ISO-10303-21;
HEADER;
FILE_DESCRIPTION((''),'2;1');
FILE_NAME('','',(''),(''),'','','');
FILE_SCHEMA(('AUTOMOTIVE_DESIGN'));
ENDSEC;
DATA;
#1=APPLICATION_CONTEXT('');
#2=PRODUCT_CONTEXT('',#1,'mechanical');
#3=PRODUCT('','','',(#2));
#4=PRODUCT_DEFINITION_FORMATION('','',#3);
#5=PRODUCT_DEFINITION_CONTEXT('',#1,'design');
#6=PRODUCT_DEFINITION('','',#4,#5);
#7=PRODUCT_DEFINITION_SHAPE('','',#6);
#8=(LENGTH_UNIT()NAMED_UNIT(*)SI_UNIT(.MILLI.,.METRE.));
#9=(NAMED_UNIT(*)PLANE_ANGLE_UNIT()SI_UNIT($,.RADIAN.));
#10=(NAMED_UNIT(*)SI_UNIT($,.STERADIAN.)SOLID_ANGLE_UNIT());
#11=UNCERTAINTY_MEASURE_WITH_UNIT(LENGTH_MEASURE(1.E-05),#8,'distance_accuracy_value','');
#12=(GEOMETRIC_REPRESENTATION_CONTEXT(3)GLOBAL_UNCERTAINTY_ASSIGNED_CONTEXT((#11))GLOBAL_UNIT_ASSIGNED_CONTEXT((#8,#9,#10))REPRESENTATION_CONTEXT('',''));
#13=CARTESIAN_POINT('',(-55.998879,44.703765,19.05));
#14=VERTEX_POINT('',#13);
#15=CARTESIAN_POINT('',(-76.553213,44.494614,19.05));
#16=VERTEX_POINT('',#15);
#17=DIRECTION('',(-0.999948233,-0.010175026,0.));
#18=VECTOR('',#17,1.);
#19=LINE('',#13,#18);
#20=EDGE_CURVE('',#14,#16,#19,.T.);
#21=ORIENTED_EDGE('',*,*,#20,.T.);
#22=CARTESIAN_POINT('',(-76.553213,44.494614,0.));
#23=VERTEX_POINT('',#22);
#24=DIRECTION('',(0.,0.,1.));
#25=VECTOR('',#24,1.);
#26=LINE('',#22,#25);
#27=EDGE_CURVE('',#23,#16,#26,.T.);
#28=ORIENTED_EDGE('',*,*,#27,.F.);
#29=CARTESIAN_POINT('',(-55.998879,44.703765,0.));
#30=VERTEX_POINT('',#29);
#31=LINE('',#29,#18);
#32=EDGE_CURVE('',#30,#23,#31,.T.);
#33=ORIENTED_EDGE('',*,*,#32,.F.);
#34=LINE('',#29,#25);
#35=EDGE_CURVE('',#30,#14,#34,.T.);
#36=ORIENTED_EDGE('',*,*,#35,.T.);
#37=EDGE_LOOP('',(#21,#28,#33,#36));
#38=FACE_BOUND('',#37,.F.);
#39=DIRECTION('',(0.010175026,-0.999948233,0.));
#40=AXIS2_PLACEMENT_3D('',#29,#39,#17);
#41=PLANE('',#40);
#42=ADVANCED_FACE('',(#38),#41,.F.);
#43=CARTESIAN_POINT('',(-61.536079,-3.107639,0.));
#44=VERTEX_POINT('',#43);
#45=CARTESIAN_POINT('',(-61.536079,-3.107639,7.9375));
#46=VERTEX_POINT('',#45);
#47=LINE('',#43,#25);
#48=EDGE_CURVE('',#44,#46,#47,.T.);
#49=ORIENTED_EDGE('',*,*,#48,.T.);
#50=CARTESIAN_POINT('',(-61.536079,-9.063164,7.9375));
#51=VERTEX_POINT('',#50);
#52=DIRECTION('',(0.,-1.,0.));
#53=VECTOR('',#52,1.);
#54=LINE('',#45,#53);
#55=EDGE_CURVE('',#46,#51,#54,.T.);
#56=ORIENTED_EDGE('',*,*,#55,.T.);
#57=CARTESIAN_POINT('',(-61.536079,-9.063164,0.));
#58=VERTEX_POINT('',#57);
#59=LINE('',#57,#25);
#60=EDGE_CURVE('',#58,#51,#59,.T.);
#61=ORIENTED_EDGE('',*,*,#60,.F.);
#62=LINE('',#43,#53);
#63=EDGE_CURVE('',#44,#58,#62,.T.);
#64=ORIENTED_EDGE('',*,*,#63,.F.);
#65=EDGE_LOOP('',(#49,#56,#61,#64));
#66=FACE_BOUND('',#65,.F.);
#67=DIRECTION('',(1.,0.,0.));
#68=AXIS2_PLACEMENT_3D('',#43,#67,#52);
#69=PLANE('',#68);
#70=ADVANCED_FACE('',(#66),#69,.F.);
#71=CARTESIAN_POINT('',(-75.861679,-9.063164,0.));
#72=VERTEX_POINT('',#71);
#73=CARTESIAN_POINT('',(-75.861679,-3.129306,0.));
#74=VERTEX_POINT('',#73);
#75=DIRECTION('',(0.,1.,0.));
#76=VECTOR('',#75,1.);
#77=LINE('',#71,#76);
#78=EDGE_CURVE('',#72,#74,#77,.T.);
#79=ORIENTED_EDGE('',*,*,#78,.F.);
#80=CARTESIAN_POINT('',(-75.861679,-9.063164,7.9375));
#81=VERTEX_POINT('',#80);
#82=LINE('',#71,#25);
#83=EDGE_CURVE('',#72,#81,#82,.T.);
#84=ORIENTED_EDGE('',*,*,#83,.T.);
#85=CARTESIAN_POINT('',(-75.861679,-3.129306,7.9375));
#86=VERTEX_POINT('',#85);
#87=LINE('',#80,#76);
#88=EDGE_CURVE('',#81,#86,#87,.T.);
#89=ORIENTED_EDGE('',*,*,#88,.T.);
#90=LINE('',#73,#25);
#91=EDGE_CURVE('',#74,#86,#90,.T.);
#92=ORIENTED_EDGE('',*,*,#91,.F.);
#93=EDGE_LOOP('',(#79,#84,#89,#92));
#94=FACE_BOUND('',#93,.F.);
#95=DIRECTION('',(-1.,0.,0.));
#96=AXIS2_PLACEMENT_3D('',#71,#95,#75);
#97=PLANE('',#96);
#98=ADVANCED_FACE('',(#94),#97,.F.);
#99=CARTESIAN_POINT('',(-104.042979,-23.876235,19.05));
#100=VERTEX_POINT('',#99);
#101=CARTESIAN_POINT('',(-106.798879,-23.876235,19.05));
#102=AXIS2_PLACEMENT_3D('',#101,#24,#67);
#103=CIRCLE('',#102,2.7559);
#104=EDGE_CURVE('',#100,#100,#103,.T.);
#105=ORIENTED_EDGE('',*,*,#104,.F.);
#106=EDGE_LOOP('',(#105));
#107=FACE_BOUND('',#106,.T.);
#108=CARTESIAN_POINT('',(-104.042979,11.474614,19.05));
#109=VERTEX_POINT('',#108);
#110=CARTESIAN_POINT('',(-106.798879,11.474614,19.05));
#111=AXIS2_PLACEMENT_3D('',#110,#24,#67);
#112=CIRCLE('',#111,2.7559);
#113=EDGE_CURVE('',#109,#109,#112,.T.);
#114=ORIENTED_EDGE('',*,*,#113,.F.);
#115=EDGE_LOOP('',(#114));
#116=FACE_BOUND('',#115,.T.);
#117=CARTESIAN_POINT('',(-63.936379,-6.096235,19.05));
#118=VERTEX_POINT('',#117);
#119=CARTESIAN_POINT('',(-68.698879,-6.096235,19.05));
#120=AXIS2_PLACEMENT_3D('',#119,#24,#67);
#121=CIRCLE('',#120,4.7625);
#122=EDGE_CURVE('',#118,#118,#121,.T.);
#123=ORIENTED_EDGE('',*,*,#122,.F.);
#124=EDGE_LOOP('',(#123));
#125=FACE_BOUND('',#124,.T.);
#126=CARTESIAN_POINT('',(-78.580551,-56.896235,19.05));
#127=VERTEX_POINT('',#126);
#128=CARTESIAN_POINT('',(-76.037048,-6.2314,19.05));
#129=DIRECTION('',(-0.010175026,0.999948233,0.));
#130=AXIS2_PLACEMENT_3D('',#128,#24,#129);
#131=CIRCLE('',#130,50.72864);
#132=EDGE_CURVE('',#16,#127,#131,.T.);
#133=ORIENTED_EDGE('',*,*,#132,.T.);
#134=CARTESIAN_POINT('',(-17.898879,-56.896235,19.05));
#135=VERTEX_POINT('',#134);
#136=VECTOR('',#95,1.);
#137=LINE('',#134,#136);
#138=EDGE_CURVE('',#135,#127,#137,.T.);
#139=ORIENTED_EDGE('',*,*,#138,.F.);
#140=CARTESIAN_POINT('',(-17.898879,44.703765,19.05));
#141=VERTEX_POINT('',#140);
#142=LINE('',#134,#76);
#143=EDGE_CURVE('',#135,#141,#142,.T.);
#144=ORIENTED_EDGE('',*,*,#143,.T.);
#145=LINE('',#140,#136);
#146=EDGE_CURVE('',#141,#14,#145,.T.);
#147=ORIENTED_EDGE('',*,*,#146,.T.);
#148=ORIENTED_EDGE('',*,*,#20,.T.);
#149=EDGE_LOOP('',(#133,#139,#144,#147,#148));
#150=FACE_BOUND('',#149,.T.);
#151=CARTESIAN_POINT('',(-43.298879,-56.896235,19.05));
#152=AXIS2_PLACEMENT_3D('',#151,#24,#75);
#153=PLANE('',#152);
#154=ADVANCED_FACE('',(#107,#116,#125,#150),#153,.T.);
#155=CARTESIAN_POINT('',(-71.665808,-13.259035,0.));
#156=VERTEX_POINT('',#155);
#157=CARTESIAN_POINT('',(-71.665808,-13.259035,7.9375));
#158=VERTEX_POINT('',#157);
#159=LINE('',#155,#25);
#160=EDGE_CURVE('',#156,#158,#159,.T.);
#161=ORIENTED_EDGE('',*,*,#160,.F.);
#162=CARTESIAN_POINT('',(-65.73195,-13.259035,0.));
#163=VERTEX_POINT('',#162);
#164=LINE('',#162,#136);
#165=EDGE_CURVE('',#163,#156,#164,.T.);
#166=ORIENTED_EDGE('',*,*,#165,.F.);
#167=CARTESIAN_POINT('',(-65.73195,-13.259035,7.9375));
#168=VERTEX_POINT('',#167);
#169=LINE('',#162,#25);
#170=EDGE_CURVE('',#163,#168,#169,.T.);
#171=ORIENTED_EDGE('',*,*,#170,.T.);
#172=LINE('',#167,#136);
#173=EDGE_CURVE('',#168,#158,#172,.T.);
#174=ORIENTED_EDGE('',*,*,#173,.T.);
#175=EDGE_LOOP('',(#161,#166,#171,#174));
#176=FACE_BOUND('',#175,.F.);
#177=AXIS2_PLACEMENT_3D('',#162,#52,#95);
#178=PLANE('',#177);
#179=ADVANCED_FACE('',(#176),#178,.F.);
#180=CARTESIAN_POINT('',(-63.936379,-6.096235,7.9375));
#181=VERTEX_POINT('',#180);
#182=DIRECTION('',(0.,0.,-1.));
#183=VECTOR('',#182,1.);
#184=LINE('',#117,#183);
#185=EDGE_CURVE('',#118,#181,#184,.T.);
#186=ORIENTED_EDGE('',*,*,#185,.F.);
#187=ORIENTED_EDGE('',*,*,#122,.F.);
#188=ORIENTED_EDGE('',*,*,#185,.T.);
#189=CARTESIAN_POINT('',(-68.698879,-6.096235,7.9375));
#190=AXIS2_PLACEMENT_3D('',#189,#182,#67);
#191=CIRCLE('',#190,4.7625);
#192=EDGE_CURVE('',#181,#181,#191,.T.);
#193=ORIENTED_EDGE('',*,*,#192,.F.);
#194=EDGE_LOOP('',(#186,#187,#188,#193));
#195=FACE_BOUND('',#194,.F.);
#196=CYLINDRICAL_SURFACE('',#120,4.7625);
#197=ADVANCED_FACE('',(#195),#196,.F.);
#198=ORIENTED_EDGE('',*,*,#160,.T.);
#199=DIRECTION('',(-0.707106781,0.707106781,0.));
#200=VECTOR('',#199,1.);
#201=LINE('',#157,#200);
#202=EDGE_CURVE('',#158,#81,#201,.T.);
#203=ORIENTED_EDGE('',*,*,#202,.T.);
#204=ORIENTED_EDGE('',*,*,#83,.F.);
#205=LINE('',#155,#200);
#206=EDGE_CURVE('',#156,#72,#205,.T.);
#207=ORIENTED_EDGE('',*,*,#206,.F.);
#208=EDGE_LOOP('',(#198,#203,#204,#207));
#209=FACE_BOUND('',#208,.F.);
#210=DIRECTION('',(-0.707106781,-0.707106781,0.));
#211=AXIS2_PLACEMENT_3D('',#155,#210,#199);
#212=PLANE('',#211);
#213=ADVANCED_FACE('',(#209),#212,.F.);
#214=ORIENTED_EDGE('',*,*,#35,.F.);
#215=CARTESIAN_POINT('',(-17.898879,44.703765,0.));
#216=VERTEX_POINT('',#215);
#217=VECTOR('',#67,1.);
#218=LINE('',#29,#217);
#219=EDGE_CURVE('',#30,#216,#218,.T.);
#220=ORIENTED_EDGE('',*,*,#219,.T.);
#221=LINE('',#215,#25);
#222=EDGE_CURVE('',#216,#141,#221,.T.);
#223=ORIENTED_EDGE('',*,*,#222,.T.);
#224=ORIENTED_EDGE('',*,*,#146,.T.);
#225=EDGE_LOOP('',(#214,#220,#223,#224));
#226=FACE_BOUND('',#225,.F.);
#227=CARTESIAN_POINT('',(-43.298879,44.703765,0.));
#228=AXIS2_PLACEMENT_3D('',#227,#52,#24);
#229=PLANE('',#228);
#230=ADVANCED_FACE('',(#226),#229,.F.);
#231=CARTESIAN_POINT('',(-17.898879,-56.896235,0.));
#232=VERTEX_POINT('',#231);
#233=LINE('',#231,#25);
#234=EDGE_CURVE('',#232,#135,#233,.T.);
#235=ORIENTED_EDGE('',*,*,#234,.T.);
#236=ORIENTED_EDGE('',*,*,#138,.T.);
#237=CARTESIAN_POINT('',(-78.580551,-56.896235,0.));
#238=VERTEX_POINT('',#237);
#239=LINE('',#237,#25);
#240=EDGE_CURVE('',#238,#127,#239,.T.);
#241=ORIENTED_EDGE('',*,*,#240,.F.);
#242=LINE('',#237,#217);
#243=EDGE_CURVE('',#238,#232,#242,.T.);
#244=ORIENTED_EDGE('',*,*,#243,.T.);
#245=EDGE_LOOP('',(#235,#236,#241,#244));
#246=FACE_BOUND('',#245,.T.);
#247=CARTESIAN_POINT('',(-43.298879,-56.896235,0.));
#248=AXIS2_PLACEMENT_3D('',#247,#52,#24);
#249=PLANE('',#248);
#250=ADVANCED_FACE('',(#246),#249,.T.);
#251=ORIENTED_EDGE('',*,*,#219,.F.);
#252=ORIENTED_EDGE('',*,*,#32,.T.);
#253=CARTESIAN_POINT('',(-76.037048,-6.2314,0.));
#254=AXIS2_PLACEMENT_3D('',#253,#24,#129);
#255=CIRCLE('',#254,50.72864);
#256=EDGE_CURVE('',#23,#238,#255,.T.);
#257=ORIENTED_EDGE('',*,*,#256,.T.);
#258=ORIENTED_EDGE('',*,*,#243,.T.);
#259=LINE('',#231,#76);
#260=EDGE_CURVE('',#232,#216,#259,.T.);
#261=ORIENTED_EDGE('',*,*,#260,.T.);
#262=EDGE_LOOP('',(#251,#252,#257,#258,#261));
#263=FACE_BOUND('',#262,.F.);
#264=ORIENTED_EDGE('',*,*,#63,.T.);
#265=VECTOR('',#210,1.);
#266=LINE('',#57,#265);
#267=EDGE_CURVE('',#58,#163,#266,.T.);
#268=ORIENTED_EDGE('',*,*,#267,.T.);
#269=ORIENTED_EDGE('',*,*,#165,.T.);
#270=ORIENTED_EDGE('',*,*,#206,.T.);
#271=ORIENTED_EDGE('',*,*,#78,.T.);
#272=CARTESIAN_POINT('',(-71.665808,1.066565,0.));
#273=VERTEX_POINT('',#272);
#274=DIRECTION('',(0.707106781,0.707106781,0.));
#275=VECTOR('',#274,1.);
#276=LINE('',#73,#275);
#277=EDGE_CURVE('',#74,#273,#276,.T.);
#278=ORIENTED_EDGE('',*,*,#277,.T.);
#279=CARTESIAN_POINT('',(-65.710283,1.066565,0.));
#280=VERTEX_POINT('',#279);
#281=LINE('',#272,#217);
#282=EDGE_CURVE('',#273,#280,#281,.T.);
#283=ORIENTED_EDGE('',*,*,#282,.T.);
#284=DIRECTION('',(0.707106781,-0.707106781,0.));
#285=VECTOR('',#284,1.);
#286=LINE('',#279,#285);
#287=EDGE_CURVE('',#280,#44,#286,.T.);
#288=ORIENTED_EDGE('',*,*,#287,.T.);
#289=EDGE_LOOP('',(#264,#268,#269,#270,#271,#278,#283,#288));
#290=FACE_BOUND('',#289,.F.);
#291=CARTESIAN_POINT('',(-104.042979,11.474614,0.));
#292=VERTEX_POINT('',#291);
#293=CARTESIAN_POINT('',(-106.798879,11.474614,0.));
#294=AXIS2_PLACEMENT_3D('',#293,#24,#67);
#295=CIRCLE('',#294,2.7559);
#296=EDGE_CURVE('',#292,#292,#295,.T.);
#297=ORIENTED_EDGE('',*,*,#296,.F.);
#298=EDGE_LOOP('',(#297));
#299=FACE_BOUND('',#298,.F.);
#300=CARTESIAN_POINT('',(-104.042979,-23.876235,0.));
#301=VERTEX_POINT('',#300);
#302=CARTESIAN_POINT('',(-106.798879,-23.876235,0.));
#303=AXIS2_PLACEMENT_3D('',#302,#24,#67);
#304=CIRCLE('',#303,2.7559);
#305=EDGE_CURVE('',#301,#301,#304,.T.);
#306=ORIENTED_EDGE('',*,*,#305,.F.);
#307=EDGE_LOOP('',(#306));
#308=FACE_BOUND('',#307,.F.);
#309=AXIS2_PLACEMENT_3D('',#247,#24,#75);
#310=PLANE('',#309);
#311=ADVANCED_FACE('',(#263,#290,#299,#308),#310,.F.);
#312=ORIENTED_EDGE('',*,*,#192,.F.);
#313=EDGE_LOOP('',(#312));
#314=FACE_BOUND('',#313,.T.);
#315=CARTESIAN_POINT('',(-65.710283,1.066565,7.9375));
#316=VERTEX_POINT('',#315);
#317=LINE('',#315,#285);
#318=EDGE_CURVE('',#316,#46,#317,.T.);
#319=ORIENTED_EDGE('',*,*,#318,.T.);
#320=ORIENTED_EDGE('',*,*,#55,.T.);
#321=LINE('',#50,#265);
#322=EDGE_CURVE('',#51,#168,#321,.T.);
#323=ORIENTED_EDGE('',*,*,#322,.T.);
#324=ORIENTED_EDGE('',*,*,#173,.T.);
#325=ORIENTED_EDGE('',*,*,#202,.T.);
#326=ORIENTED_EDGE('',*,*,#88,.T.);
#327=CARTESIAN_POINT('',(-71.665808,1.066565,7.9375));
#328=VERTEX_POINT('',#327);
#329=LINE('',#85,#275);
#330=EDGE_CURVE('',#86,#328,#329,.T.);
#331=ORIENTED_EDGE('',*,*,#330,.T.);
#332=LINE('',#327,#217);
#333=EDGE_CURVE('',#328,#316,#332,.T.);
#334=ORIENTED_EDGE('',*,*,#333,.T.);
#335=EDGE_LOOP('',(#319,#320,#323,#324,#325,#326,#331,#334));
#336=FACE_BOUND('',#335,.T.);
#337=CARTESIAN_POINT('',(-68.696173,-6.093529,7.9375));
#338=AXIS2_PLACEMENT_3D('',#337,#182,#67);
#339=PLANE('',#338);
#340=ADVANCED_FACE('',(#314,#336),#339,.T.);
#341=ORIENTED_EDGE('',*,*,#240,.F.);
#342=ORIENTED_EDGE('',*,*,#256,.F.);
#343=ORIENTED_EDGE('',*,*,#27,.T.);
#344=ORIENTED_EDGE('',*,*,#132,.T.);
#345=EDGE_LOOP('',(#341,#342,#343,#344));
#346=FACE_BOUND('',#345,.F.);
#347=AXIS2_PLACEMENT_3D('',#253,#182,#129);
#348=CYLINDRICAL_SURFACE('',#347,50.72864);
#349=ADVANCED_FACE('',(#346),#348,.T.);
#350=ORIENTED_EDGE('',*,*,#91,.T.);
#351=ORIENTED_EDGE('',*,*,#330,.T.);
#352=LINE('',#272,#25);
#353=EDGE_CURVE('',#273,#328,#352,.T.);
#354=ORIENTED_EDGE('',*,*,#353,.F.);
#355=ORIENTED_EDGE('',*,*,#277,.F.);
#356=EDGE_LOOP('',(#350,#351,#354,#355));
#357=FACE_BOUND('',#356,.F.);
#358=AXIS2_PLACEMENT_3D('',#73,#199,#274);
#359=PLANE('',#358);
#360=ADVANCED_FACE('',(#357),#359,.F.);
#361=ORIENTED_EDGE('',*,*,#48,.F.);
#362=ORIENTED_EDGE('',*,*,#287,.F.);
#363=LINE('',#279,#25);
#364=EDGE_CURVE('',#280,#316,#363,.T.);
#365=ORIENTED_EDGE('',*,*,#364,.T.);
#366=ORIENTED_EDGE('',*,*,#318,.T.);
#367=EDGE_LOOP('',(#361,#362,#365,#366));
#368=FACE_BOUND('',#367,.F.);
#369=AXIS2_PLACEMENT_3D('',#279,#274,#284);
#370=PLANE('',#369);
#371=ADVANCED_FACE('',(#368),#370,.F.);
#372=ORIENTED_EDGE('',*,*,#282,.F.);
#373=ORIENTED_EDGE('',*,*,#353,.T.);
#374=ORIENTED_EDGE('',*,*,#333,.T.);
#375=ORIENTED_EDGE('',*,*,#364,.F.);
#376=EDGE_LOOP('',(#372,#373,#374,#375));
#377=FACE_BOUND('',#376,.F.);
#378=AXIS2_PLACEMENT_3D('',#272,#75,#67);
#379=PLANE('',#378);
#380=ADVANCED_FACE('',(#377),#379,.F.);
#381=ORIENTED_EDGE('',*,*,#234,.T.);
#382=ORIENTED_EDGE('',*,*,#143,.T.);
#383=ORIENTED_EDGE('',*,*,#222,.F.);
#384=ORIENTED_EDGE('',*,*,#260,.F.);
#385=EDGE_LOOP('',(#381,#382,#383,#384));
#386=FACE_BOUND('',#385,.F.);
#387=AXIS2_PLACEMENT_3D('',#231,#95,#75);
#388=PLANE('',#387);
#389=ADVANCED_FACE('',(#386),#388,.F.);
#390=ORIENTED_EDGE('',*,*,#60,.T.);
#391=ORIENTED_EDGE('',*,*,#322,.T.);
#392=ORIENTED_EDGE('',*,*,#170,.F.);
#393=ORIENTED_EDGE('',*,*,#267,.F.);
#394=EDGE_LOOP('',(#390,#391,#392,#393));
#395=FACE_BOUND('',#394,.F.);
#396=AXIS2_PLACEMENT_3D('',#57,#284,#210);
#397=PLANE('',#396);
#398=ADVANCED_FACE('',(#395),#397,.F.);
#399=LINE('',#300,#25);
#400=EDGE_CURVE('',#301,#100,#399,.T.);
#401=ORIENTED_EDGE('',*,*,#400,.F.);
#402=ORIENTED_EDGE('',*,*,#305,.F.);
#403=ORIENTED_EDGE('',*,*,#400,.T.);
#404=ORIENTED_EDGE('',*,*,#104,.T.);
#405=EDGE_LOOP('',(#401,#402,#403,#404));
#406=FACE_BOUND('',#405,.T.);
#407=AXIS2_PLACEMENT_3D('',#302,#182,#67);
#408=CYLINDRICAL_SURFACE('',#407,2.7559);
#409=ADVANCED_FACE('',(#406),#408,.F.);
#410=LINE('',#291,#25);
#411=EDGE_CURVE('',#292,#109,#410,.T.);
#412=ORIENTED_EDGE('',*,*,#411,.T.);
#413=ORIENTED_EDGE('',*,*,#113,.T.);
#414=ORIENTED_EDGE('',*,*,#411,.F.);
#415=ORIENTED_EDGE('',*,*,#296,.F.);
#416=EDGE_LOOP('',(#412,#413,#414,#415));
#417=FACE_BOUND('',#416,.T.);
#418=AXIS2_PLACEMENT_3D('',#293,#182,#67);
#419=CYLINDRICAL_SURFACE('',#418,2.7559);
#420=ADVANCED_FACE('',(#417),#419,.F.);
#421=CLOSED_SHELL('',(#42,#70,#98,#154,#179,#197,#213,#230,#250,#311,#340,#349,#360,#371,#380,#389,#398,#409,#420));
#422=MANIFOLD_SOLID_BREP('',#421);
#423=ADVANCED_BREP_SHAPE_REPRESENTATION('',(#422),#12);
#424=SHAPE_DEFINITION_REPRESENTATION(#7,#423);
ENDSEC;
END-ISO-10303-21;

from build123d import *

# Parameters (mm, degrees)
F0_R     = 2.7559
F1_DEPTH = 19.05
F2_DEPTH = 12.7
F3_DEPTH = 25.4
F4_R     = 4.7625
F5_DEPTH = 19.051
F6_R     = 4.7625
F7_DEPTH = 7.9375


with BuildPart() as f1:
    # F0 (on Top) → F1 (new body)
    with BuildSketch(Plane.XY):
        with BuildLine():
            Line((-55.9988788353, 44.7037652499), (-76.5532134465, 44.4946135236))
            ThreePointArc((-76.5532134465, 44.4946135236), (-126.7555499575, -5.2172696713), (-78.5805513553, -56.8962347501))
            Line((-78.5805513553, -56.8962347501), (-55.9988788353, -56.8962347501))
            Line((-55.9988788353, -56.8962347501), (-55.9988788353, 44.7037652499))
        make_face()
        with Locations((-106.7988788353, -23.8762347501)):
            Circle(F0_R, mode=Mode.SUBTRACT)
        with Locations((-106.7988788353, 11.4746135236)):
            Circle(F0_R, mode=Mode.SUBTRACT)
    extrude(amount=F1_DEPTH)

    # F2 (add): a face of the model
    f2_faces = [f1.faces().sort_by_distance(p)[0] for p in [
        (-55.9988788353, -6.0962347501, 9.525),
    ]]
    extrude(f2_faces, amount=F2_DEPTH)

    # F3 (add): a face of the model
    f3_faces = [f1.faces().sort_by_distance(p)[0] for p in [
        (-43.2988788353, -6.0962347501, 9.525),
    ]]
    extrude(f3_faces, amount=F3_DEPTH)

    # F4 (on face) → F5 (cut, through all)
    with BuildSketch(Plane.XY.offset(19.05)):
        with Locations((-68.6988788353, -6.0962347501)):
            Circle(F4_R)
    extrude(amount=-F5_DEPTH, mode=Mode.SUBTRACT)

    # F6 (on face) → F7 (cut)
    with BuildSketch(Plane(origin=(0, 0, 0), x_dir=(1, 0, 0), z_dir=(0, 0, -1))):
        Polygon((-75.8616788353, 3.1293058456), (-71.6658077398, -1.0665652499), (-65.7102826454, -1.0665652499), (-61.5360788353, 3.1076385602), (-61.5360788353, 9.0631636547), (-65.7319499307, 13.2590347501), (-71.6658077398, 13.2590347501), (-75.8616788353, 9.0631636547), align=None)
        with Locations((-68.6988788353, 6.0962347501)):
            Circle(F6_R, mode=Mode.SUBTRACT)
    extrude(amount=-F7_DEPTH, mode=Mode.SUBTRACT)


solid = f1.part
